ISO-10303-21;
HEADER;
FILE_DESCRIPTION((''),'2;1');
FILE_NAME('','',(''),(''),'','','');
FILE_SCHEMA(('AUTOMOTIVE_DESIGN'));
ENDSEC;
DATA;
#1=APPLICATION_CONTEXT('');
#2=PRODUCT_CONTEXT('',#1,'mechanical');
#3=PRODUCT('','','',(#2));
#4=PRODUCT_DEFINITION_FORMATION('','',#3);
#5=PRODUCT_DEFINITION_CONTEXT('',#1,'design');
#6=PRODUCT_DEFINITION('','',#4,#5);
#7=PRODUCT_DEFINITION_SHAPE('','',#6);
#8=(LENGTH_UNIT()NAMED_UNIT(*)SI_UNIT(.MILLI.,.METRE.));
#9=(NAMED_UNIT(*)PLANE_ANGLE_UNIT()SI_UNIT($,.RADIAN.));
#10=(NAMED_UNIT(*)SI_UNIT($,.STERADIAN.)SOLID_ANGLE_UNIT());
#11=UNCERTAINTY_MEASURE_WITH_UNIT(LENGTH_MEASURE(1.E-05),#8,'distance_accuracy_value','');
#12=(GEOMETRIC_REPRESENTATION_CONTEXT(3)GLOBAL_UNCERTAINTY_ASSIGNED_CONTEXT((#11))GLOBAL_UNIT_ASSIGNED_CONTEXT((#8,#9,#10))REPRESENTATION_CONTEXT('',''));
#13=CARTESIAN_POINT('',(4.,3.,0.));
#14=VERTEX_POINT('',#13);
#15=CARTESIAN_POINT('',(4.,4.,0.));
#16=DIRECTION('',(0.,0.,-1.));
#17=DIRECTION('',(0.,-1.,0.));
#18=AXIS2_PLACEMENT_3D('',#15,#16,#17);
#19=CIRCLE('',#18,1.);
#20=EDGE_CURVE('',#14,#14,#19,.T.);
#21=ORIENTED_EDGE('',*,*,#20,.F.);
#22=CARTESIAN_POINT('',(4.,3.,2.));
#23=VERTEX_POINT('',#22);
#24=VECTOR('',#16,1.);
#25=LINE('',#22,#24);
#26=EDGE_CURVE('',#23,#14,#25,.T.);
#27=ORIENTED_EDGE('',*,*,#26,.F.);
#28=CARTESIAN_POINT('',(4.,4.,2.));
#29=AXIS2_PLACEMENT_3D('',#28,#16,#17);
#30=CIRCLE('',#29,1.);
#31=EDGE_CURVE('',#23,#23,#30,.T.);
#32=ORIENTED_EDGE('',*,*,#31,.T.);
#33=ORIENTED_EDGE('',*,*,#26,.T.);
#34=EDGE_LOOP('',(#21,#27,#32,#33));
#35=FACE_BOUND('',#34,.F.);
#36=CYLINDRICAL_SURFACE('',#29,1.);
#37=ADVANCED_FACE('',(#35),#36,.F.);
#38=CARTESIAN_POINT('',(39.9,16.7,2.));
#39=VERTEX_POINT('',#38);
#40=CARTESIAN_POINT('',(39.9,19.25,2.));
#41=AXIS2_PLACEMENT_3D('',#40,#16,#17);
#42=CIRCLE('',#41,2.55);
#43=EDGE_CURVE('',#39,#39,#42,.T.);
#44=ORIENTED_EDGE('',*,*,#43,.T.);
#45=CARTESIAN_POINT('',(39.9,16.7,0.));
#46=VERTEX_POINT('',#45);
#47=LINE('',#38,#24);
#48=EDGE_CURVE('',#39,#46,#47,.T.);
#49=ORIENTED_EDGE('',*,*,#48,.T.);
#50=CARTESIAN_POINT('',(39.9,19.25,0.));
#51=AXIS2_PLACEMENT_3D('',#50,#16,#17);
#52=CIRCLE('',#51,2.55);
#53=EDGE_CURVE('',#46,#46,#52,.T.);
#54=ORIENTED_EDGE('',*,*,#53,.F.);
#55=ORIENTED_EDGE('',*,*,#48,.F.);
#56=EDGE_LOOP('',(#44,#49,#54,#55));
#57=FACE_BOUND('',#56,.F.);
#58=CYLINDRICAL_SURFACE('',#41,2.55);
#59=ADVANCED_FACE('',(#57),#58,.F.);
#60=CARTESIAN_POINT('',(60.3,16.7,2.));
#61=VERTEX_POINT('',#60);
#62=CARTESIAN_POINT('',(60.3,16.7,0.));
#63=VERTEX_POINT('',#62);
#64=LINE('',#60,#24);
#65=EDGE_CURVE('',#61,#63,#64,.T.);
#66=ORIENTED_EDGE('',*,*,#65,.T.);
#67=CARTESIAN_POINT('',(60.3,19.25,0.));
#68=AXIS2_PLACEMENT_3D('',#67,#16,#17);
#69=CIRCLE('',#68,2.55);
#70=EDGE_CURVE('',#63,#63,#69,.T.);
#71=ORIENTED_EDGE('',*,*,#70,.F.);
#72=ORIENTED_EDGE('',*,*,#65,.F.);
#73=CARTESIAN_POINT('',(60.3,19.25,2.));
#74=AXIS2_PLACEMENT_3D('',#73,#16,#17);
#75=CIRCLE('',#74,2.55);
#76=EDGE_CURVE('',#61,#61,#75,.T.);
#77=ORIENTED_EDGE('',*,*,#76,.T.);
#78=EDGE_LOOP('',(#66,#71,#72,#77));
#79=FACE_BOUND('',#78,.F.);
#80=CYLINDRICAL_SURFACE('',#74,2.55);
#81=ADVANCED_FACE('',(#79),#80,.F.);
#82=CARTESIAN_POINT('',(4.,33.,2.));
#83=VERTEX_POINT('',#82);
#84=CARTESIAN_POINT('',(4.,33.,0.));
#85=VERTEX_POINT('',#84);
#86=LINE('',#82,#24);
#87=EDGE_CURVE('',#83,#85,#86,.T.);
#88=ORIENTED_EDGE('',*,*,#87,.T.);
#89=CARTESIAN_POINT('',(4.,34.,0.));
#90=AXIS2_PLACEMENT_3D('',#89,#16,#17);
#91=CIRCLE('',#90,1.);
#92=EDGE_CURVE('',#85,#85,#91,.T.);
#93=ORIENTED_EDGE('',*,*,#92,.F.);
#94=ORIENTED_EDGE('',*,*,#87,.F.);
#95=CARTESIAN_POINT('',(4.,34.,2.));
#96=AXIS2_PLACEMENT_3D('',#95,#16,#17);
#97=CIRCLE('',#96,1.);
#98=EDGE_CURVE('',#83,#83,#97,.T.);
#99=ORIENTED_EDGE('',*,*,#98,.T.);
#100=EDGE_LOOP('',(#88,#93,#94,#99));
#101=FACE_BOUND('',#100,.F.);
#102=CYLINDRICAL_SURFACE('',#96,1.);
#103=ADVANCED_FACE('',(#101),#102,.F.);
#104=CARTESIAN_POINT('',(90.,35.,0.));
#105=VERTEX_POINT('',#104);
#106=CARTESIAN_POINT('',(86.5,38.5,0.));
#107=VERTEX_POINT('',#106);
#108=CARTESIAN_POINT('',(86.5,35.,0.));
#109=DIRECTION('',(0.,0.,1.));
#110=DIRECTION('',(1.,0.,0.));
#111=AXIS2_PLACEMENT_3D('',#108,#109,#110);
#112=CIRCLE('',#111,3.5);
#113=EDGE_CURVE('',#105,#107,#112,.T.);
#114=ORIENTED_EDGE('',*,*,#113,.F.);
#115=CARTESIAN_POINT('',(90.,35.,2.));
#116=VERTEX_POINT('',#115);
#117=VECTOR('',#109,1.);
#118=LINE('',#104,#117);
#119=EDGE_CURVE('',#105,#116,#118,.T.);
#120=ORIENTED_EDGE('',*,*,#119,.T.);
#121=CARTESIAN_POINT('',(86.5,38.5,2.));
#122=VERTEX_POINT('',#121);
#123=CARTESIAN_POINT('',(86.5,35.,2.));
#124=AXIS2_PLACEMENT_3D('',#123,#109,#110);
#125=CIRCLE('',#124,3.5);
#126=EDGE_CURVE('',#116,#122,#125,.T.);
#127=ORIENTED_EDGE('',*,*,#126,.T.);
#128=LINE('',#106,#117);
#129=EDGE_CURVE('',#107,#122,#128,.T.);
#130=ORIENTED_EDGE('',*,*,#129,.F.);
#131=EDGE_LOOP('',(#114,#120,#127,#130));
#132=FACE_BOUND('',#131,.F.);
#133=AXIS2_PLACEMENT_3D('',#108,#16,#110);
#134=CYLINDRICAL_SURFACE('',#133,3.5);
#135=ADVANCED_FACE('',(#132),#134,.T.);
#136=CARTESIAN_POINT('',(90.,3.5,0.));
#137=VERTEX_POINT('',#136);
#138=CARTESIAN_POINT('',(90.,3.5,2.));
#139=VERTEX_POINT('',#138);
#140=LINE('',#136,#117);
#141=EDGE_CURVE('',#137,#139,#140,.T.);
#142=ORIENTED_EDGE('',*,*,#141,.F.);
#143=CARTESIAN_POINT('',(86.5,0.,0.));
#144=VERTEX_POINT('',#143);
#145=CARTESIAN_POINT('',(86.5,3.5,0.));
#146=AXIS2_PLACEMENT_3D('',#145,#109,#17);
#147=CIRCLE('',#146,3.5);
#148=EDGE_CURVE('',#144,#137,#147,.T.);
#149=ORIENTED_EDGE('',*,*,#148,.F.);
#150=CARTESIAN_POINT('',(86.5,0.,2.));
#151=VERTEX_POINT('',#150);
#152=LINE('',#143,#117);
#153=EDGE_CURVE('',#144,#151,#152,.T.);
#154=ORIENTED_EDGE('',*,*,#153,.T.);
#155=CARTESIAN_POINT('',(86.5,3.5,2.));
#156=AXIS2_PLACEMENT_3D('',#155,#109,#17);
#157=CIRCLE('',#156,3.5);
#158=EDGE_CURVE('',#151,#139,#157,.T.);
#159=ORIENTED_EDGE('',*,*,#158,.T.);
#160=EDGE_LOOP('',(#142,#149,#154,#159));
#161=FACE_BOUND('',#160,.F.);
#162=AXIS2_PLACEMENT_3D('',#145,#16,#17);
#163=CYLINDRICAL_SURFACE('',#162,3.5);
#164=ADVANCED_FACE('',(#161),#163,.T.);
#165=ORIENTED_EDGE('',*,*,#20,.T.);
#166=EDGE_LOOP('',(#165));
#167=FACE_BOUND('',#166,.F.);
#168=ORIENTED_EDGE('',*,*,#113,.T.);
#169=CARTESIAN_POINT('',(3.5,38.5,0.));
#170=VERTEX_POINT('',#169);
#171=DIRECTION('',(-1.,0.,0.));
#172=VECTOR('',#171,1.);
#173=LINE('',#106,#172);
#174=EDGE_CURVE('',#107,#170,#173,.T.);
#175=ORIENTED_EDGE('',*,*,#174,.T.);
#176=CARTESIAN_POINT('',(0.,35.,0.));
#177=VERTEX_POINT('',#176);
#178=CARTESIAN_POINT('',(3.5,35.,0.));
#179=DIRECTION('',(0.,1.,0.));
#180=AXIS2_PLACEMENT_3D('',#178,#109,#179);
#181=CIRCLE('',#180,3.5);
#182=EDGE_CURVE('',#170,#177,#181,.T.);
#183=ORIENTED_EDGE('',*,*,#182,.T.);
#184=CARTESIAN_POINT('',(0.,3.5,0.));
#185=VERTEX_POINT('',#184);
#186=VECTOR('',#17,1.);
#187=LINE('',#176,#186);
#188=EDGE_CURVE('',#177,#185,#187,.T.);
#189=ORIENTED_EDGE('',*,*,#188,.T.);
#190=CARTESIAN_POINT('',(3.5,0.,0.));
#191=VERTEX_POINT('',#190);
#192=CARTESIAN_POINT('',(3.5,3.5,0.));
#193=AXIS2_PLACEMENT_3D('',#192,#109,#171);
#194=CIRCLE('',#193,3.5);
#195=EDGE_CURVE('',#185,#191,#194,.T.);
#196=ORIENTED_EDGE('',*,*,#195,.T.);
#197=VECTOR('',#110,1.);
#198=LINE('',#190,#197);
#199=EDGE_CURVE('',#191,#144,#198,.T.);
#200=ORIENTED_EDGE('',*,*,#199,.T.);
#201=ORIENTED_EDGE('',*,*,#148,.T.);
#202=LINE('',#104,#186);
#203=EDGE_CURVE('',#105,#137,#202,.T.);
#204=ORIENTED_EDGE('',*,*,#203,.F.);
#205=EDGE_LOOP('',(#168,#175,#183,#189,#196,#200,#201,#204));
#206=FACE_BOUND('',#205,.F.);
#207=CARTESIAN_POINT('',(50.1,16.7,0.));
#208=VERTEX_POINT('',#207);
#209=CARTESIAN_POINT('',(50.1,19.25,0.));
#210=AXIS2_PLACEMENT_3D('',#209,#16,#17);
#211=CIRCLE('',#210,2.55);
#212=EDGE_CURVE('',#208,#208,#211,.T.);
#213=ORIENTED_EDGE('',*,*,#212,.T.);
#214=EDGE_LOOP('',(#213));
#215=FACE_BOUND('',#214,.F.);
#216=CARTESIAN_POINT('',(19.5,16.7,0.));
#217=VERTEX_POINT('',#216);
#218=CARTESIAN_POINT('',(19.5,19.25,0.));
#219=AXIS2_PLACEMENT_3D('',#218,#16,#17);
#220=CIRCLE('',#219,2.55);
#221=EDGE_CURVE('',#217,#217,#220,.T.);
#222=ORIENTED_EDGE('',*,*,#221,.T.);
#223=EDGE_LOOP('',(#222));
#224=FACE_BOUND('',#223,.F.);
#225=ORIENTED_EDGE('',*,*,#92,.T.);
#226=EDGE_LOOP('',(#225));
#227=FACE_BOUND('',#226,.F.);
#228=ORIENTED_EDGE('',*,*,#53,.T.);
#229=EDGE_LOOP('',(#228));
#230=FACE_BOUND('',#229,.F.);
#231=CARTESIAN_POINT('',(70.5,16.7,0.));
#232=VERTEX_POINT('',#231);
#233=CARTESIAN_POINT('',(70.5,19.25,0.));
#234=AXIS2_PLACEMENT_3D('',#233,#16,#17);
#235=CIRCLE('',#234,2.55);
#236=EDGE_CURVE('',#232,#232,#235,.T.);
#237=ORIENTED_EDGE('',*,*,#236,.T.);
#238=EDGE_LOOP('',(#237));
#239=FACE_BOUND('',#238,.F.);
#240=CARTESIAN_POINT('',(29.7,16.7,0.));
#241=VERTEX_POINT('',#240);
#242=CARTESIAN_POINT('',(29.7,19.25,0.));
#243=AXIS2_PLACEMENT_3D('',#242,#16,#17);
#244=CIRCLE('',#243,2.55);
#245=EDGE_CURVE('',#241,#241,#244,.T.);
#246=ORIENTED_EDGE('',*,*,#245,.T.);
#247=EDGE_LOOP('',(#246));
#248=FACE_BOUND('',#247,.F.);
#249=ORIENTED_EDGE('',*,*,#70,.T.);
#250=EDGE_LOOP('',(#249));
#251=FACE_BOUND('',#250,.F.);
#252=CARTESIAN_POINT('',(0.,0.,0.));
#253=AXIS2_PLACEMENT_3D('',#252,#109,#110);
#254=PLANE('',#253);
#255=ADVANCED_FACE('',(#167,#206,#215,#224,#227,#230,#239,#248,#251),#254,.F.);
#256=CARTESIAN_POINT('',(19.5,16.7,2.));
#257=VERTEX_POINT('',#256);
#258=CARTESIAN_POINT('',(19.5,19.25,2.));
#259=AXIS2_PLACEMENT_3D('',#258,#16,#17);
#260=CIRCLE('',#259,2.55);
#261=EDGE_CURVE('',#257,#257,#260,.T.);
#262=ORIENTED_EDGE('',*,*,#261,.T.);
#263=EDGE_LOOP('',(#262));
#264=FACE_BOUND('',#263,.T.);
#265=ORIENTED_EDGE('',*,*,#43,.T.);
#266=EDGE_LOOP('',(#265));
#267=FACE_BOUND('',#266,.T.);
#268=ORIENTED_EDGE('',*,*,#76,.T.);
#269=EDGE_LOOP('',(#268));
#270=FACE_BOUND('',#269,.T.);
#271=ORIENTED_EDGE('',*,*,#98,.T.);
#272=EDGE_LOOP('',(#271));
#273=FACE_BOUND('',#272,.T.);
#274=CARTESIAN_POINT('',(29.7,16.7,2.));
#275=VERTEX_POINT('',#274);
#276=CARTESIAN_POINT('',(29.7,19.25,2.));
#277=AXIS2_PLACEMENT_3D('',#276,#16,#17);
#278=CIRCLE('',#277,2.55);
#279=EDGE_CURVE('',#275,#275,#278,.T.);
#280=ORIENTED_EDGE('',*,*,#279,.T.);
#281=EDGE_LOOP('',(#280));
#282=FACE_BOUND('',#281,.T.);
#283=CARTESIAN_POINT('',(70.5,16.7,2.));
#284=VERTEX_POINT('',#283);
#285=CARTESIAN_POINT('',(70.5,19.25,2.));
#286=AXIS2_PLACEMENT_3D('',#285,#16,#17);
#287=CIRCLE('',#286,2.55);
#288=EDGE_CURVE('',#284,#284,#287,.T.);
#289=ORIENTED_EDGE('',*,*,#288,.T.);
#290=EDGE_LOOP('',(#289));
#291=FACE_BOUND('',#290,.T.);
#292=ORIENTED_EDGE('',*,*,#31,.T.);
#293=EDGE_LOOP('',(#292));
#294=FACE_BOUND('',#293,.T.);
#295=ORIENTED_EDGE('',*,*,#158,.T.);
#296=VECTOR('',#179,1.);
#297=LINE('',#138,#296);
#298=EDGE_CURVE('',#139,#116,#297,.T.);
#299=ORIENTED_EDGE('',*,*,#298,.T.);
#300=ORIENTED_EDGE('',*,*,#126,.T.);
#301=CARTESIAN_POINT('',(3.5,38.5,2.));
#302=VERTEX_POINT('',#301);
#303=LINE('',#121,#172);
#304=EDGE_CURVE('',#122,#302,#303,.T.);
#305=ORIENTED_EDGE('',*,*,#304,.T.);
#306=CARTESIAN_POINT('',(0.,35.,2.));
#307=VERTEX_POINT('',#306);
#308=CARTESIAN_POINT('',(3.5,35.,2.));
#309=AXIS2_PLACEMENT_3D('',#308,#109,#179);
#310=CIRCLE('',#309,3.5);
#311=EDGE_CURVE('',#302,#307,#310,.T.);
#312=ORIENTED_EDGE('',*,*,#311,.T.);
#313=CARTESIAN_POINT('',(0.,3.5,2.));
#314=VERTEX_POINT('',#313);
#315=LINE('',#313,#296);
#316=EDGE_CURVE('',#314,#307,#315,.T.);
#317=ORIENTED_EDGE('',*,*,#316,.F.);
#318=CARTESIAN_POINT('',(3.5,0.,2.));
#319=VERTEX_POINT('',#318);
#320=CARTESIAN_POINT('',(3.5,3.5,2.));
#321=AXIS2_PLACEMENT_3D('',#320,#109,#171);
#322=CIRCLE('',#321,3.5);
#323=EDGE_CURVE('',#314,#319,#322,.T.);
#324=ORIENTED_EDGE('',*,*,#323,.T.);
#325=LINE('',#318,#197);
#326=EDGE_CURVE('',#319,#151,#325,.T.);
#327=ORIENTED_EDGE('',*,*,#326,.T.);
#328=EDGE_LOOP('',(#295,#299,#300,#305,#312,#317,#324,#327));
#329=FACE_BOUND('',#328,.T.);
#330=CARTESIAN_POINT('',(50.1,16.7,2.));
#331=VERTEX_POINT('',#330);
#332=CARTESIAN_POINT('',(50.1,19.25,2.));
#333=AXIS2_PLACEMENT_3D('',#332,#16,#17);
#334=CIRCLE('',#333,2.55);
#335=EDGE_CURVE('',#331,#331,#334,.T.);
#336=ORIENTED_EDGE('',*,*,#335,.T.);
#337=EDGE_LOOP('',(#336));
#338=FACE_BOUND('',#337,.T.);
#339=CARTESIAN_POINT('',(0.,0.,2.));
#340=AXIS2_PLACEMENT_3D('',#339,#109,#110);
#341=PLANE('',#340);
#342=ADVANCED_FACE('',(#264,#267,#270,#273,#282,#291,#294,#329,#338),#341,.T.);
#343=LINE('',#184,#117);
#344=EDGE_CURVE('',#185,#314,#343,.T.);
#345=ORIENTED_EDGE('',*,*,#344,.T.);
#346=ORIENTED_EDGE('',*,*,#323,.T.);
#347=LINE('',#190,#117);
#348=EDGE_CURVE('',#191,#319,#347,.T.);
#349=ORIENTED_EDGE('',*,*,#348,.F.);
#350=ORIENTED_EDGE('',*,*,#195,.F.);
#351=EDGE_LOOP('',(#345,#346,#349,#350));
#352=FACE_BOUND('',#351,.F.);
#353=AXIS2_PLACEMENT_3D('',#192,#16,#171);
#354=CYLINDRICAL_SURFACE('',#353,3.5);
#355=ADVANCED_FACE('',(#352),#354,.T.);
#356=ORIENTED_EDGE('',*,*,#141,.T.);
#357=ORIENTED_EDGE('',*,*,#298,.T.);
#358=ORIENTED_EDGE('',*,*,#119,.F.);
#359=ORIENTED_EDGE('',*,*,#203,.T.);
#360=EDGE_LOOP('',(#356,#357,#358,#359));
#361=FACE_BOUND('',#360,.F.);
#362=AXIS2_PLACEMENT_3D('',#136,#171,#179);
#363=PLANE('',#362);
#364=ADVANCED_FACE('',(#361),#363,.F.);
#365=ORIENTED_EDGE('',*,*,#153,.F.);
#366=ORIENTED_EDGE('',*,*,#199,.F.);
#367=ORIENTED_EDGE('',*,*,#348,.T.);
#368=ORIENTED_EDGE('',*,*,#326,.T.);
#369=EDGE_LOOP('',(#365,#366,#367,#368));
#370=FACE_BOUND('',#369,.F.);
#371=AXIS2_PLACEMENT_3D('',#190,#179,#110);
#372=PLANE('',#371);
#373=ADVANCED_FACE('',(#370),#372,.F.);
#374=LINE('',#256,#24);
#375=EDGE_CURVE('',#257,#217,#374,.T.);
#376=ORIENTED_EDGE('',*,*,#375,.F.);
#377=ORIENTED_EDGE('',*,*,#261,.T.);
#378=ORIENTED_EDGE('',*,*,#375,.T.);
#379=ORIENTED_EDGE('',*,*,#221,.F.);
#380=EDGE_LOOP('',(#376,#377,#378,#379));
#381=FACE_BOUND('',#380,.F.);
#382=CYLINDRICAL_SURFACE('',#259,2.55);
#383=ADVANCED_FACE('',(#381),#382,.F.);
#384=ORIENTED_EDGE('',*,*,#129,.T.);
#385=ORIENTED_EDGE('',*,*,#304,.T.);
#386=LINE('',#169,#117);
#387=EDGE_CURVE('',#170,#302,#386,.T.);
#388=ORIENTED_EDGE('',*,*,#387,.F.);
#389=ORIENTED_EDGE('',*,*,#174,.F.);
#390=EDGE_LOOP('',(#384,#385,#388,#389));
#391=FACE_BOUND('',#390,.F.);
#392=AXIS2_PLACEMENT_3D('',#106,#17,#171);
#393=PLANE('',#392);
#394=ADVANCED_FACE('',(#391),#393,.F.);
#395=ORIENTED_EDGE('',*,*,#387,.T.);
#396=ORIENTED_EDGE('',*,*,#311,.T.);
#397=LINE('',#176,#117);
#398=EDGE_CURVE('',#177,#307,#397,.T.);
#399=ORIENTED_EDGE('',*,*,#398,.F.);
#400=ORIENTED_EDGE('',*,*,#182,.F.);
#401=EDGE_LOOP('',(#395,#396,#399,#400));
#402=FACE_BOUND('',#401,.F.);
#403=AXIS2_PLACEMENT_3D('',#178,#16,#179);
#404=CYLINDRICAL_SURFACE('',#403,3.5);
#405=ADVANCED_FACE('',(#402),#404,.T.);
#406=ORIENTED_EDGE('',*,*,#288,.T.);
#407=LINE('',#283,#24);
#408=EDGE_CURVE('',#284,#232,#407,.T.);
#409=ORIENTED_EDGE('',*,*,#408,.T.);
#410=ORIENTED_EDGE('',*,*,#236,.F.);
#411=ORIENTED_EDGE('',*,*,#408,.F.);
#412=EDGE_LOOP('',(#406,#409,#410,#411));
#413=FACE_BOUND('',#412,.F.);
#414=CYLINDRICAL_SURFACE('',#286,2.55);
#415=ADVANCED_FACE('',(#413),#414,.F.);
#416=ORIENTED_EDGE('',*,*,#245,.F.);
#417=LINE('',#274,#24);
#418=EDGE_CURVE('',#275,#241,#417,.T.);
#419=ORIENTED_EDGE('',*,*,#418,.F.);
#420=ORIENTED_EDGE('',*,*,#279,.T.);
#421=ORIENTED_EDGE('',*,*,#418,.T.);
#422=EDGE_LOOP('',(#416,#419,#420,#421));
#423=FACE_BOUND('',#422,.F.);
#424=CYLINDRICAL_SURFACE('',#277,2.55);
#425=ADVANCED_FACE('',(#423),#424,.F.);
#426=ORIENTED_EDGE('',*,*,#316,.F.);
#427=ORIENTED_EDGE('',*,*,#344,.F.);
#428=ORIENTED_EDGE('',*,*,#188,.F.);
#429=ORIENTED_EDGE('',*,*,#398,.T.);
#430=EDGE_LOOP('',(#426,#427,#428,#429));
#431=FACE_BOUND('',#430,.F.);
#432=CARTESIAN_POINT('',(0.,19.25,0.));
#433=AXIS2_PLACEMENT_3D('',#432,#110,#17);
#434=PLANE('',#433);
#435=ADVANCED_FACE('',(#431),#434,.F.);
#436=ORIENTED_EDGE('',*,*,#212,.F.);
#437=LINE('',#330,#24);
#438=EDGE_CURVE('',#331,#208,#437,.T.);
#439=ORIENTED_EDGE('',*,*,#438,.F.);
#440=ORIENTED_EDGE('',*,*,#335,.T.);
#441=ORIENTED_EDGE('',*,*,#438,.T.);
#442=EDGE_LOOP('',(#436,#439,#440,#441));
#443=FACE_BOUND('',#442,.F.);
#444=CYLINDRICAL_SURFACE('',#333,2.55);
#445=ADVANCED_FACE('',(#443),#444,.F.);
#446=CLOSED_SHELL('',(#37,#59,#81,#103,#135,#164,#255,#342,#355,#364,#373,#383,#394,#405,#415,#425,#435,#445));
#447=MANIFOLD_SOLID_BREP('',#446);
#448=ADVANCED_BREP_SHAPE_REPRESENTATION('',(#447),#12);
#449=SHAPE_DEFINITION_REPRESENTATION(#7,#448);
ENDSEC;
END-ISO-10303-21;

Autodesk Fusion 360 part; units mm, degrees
sketch "スケッチ1" plane through (0, 0, 0) normal (0, 0, 1) x (1, 0, 0)
  line L0 (3.5, 0) -> (86.5, 0)
  line L1 (90, 3.5) -> (90, 35)
  line L2 (86.5, 38.5) -> (3.5, 38.5)
  line L3 (0, 35) -> (0, 3.5)
  line L4 (0, 19.25) -> (90, 19.25)
  arc A0 (3.5, 38.5) -> (0, 35) centre (3.5, 35) ccw
  arc A1 (90, 35) -> (86.5, 38.5) centre (86.5, 35) ccw
  arc A2 (86.5, 0) -> (90, 3.5) centre (86.5, 3.5) ccw
  arc A3 (0, 3.5) -> (3.5, 0) centre (3.5, 3.5) ccw
  point P0 (90, 0)
  point P1 (0, 38.5)
  dimension "d1" = 90
  dimension "d2" = 38.5
  dimension "d3" = 3.5
extrude "押し出し1" add sketch "スケッチ1" along normal blind 2
sketch "スケッチ2" plane through (0, 0, 2) normal (0, 0, 1) x (-1, 0, 0)
  arc A0 (0, -3.5) -> (-3.5, 0) centre (-3.5, -3.5) ccw
  line L0 (-3.5, 0) -> (-86.5, 0)
  arc A1 (-86.5, 0) -> (-90, -3.5) centre (-86.5, -3.5) ccw
  line L1 (-90, -3.5) -> (-90, -35)
  arc A2 (-90, -35) -> (-86.5, -38.5) centre (-86.5, -35) ccw
  line L2 (-86.5, -38.5) -> (-3.5, -38.5)
  arc A3 (-3.5, -38.5) -> (0, -35) centre (-3.5, -35) ccw
  line L3 (0, -35) -> (0, -3.5)
  line L4 (-45, -38.5) -> (-45, 0)
  line L5 (0, -19.25) -> (-90, -19.25)
  line L6 (-45, -19.25) -> (-50.1, -19.25)
  line L7 (-50.1, -19.25) -> (-60.3, -19.25)
  line L8 (-60.3, -19.25) -> (-70.5, -19.25)
  point P0 (-50.1, -19.25)
  point P1 (-60.3, -19.25)
  point P2 (-70.5, -19.25)
  point P3 (-39.9, -19.25)
  point P4 (-29.7, -19.25)
  point P5 (-19.5, -19.25)
  dimension "d6" = 5.1
  dimension "d7" = 10.2
  dimension "d8" = 10.2
hole "穴1" at (19.5, 19.25, 2) at (29.7, 19.25, 2) at (39.9, 19.25, 2) at (50.1, 19.25, 2) at (60.3, 19.25, 2) at (70.5, 19.25, 2) direction (0, 0, -1) diameter 5.1 depth 2 tip angle 180
sketch "スケッチ3" plane through (0, 0, 2) normal (0, 0, 1) x (-1, 0, 0)
  circle A0 centre (-60.3, -19.25) radius 2.55
  circle A1 centre (-39.9, -19.25) radius 2.55
  circle A2 centre (-19.5, -19.25) radius 2.55
  circle A3 centre (-29.7, -19.25) radius 2.55
  circle A4 centre (-50.1, -19.25) radius 2.55
  circle A5 centre (-70.5, -19.25) radius 2.55
  arc A6 (0, -3.5) -> (-3.5, 0) centre (-3.5, -3.5) ccw
  line L0 (-3.5, 0) -> (-86.5, 0)
  arc A7 (-86.5, 0) -> (-90, -3.5) centre (-86.5, -3.5) ccw
  line L1 (-90, -3.5) -> (-90, -35)
  arc A8 (-90, -35) -> (-86.5, -38.5) centre (-86.5, -35) ccw
  line L2 (-86.5, -38.5) -> (-3.5, -38.5)
  arc A9 (-3.5, -38.5) -> (0, -35) centre (-3.5, -35) ccw
  line L3 (0, -35) -> (0, -3.5)
  line L4 (-4, -4) -> (-4, -34)
hole "穴2" at (4, 4, 2) at (4, 34, 2) direction (0, 0, -1) diameter 2 depth 2 tip angle 180
sketch "スケッチ5" plane through (0, 0, 0) normal (0, 0, 1) x (1, 0, 0)
sketch "スケッチ6" plane through (0, 0, 0) normal (0, 0, 1) x (1, 0, 0)
